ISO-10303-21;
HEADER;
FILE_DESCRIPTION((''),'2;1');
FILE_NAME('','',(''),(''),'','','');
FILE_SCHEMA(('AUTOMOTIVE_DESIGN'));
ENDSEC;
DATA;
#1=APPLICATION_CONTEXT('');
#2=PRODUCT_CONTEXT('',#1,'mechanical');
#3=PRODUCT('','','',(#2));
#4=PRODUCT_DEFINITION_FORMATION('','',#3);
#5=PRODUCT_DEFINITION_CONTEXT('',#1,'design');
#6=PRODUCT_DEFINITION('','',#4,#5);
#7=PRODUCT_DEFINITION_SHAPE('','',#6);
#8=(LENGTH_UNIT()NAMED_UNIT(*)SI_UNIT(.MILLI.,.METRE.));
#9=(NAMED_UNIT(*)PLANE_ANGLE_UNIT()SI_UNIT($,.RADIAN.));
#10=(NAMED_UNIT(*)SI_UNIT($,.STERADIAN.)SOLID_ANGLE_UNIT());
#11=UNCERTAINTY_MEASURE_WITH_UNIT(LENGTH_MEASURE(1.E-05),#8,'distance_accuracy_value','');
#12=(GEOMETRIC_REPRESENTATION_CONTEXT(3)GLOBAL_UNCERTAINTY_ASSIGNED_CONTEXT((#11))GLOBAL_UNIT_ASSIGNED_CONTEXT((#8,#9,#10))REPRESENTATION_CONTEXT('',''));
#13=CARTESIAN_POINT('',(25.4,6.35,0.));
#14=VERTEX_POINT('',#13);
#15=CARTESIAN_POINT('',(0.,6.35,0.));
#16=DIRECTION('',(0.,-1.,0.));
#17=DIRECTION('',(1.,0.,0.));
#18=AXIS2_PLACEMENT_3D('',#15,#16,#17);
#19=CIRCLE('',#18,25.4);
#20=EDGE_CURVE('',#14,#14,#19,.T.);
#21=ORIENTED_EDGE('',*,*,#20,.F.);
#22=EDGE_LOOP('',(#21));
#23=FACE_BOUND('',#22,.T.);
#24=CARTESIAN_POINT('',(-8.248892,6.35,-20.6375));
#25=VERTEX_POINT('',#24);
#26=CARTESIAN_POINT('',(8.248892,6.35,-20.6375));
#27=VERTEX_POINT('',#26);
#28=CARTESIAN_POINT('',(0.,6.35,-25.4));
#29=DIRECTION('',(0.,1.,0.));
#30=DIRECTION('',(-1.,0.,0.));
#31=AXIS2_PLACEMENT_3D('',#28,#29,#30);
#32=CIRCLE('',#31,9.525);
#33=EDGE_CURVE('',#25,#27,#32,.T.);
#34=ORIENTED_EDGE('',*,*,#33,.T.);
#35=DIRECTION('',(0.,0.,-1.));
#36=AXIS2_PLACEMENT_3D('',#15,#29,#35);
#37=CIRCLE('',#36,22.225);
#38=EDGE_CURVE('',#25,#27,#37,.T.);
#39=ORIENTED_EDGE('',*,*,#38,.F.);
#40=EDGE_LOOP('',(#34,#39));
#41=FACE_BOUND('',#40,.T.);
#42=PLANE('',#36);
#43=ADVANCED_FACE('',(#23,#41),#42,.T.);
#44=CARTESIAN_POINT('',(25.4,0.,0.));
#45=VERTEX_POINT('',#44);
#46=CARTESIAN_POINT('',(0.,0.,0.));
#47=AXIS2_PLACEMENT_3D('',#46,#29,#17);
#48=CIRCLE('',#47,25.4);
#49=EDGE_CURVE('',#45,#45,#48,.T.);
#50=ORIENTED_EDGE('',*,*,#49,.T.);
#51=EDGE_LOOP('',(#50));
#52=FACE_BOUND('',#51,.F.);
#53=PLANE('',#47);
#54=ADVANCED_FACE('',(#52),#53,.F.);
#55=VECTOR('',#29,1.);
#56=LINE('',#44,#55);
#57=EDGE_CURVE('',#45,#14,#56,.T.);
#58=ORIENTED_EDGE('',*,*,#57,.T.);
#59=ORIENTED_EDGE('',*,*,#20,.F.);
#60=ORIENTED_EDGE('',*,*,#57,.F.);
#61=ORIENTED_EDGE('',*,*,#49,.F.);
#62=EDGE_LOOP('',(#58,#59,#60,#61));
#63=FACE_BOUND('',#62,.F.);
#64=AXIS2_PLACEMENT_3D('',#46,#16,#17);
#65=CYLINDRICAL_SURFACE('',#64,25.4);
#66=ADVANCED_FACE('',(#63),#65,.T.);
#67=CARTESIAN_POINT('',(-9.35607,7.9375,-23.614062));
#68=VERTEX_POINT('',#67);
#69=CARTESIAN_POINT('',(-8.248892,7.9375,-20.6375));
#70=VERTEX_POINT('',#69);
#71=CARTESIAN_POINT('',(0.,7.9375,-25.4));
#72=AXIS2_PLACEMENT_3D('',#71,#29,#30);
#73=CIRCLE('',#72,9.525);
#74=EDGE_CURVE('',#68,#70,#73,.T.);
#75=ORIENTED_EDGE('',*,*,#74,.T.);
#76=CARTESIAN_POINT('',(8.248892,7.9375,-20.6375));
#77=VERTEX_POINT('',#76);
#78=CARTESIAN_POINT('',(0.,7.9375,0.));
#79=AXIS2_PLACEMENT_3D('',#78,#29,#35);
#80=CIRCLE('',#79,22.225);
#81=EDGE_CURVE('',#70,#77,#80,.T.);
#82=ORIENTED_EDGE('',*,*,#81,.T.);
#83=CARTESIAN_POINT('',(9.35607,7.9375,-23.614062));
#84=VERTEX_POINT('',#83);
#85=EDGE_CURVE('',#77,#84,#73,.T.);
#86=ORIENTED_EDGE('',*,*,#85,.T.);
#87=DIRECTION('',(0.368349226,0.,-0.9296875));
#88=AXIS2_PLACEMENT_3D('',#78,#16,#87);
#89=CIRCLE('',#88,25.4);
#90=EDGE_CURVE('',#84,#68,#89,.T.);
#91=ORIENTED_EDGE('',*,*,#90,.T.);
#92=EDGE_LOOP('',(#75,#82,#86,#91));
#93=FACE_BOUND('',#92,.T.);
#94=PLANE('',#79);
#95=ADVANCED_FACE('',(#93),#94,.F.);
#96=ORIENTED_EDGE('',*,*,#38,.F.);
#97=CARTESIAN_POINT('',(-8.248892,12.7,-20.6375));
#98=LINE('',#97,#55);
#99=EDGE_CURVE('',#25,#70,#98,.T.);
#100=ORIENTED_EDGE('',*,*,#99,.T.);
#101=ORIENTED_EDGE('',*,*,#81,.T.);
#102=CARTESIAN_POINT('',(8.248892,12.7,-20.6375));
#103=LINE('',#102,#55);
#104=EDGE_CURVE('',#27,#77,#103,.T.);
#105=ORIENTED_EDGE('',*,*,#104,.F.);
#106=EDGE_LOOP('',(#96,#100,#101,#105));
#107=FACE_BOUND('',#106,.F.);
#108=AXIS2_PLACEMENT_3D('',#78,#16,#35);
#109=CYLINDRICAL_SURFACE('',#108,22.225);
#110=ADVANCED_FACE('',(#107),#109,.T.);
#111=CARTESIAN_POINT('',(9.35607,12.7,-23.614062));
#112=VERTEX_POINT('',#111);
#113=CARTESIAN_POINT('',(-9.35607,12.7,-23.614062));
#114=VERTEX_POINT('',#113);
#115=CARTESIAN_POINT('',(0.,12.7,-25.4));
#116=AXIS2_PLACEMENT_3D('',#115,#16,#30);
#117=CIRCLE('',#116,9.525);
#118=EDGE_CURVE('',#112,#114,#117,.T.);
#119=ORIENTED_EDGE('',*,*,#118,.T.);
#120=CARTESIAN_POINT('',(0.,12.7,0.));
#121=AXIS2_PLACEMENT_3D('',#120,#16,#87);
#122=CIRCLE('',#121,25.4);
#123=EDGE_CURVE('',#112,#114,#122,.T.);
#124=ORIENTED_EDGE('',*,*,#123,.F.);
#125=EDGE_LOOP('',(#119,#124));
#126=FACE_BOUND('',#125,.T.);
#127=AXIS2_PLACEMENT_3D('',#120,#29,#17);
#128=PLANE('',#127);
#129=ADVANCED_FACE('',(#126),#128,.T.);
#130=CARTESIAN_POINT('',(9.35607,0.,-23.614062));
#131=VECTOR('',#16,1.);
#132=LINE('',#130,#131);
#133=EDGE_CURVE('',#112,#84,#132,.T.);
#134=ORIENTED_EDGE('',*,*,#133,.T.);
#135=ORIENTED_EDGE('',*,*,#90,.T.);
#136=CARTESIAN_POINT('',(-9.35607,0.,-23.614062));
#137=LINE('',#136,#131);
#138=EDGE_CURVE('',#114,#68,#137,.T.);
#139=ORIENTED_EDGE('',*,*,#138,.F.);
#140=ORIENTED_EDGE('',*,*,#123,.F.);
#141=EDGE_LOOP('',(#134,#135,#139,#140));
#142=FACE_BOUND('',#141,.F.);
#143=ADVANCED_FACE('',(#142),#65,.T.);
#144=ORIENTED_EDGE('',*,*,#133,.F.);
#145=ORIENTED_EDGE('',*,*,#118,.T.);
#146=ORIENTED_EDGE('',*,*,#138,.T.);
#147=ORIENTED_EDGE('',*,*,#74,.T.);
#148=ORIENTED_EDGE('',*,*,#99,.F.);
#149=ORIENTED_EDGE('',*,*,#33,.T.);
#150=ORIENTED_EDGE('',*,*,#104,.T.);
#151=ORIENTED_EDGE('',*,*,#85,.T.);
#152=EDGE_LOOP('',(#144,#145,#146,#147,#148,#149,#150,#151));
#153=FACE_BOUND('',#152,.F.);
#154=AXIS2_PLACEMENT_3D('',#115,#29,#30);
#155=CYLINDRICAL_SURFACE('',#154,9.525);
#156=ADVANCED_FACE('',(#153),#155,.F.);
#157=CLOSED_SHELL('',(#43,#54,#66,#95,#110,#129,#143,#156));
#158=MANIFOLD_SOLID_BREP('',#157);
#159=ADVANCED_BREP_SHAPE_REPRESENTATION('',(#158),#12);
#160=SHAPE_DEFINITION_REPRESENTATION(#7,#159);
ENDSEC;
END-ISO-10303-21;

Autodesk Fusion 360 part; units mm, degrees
sketch "Base" plane through (0, 0, 0) normal (0, 1, 0) x (1, 0, 0)
  circle A0 centre (0, 0) radius 25.4
  dimension "d1" = 50.8
extrude "Extrude1" add sketch "Base" along normal blind 12.7 makes body 1
sketch "Relief" plane through (0, 12.7, 0) normal (0, 1, 0) x (-1, 0, 0)
  circle A0 centre (0, 0) radius 25.4
  circle A1 centre (0, -25.4) radius 9.525
  dimension "d4" = 19.05
extrude "Extrude2" cut sketch "Relief" against normal blind 6.35 contours A0 A1 | A0 A1 picked at (1.7493, -22.2335) picked at (2.3346, -28.2419) bodies 1
sketch "Boss Ref" plane through (0, 12.7, 0) normal (0, 1, 0) x (-1, 0, 0)
  arc A0 (9.3561, -23.6141) -> (-9.3561, -23.6141) centre (0, -25.4) ccw
  arc A1 (9.3561, -23.6141) -> (-9.3561, -23.6141) centre (0, 0) ccw
  circle A2 centre (0, -10.795) radius 4.7625
  circle A3 centre (0, -10.795) radius 2.5527
  dimension "d7" = 9.525
  dimension "d8" = 10.795
  dimension "d9" = 5.1054
sketch "Revolve Cut1" plane through (0, 0, 0) normal (1, 0, 0) x (0, 0, -1)
  line L0 (25.4, 0) -> (25.4, 6.35)
  line L1 (-25.4, 12.7) -> (-25.4, 0)
  line L2 (15.875, 6.35) -> (23.6141, 6.35)
  line L3 (25.4, 6.35) -> (22.225, 6.35)
  line L4 (22.225, 7.9375) -> (25.4, 7.9375)
  line L5 (25.4, 7.9375) -> (25.4, 6.35)
  line L6 (22.225, 7.9375) -> (22.225, 6.35)
  dimension "d12" = 3.175
  dimension "d13" = 1.5875
revolve "Revolve1" cut sketch "Revolve Cut1" angle 360 about axis through (0, 1.75, 0) along (0, 1, 0) bodies 1
sketch "Sketch5" plane through (0, 12.7, 0) normal (0, 1, 0) x (-1, 0, 0)
  arc A0 (9.3561, -23.6141) -> (-9.3561, -23.6141) centre (0, -25.4) ccw
  arc A1 (9.3561, -23.6141) -> (-9.3561, -23.6141) centre (0, 0) ccw
  arc A2 (-8.2489, -20.6375) -> (-9.3561, -23.6141) centre (0, -25.4) ccw
  arc A3 (9.3561, -23.6141) -> (-9.3561, -23.6141) centre (0, 0) ccw
  arc A4 (9.3561, -23.6141) -> (8.2489, -20.6375) centre (0, -25.4) ccw
  arc A5 (8.2489, -20.6375) -> (-8.2489, -20.6375) centre (0, 0) ccw
  line L0 (0, -15.875) -> (-6.35, -9.525)
  line L1 (0, -15.875) -> (6.35, -9.525)
  line L2 (6.35, -9.525) -> (-6.35, -9.525)
  line L3 (0, -9.525) -> (0, -15.875) construction
  line L4 (6.35, -3.175) -> (-6.35, -3.175)
  line L5 (6.35, -9.525) -> (6.35, -3.175)
  line L6 (-6.35, -9.525) -> (-6.35, -3.175)
  line L7 (-6.35, -3.175) -> (-12.7, -3.175)
  line L8 (-12.7, -3.175) -> (-6.35, -9.525)
  line L9 (6.35, -9.525) -> (12.7, -3.175)
  line L10 (12.7, -3.175) -> (6.35, -3.175)
  dimension "d15" = 6.35
  dimension "d16" = 45
  dimension "d17" = 6.35
ref_plane "WorkPlane1" through (0, 0, -23.6141) normal (0, 0, 1) x (1, 0, 0)
sketch "Loft Profile 2" plane through (0, 12.7, 0) normal (0, 1, 0) x (-1, 0, 0)
  arc A0 (9.3561, -23.6141) -> (-9.3561, -23.6141) centre (0, -25.4) ccw
  arc A1 (9.3561, -23.6141) -> (-9.3561, -23.6141) centre (0, 0) ccw
  line L0 (4.7625, 8.255) -> (-4.7625, 8.255)
  arc A2 (-4.7625, 8.255) -> (-4.7625, -8.255) centre (-4.7625, 0) ccw
  line L1 (-4.7625, -8.255) -> (4.7625, -8.255)
  arc A3 (4.7625, -8.255) -> (4.7625, 8.255) centre (4.7625, 0) ccw
  line L2 (4.7625, 0) -> (-4.7625, 0) construction
  dimension "d19" = 9.525
  dimension "d20" = 8.255
sketch "Loft Profile 1" plane through (0, 0, 0) normal (0, -1, 0) x (1, 0, 0)
  circle A0 centre (0, 0) radius 25.4
  circle A1 centre (0, 0) radius 6.35
  dimension "d21" = 12.7
sketch "Sweep Profile" plane through (0, 0, 0) normal (0, -1, 0) x (1, 0, 0)
  circle A0 centre (0, 0) radius 25.4
  circle A1 centre (0, 0) radius 19.05
  dimension "d22" = 38.1
sketch "Sweep Path" plane through (0, 0, 0) normal (0, 0, 1) x (1, 0, 0)
  line L0 (0, 0) -> (0, -63.5)
  arc A0 (0, -63.5) -> (50.1381, -135.1046) centre (76.2, -63.5) ccw
  line L1 (50.1381, -135.1046) -> (169.479, -178.5411)
  dimension "d23" = 76.2
  dimension "d24" = 63.5
  dimension "d25" = 127
  dimension "d26" = 110
sketch "Hole Loc1" plane through (0, 12.7, 0) normal (0, 1, 0) x (-1, 0, 0)
  arc A0 (9.3561, -23.6141) -> (-9.3561, -23.6141) centre (0, -25.4) ccw
  arc A1 (9.3561, -23.6141) -> (-9.3561, -23.6141) centre (0, 0) ccw
  line L0 (0, 0) -> (0, -15.875) construction
  line L1 (0, 0) -> (-11.2253, -11.2253) construction
  point P0 (-11.2253, -11.2253)
  point P1 (11.2253, -11.2253)
  point P2 (11.2253, 11.2253)
  point P3 (-11.2253, 11.2253)
  dimension "d27" = 45
  dimension "d29" = 360
sketch "Extrude" plane through (0, 12.7, 0) normal (0, 1, 0) x (-1, 0, 0)
  arc A0 (9.3561, -23.6141) -> (-9.3561, -23.6141) centre (0, -25.4) ccw
  arc A1 (9.3561, -23.6141) -> (-9.3561, -23.6141) centre (0, 0) ccw
  line L0 (3.175, -16.4197) -> (-3.175, -16.4197)
  line L1 (-3.175, -16.4197) -> (-3.175, -9.525)
  line L2 (-3.175, -9.525) -> (3.175, -9.525)
  line L3 (3.175, -9.525) -> (3.175, -16.4197)
  line L4 (0, -9.525) -> (0, -15.875) construction
  dimension "d30" = 6.35
  dimension "d31" = 6.35
sketch "Revolve Cut2" plane through (0, 0, 0) normal (1, 0, 0) x (0, 0, -1)
  line L0 (25.4, 3.175) -> (22.225, 3.175)
  line L1 (22.225, 3.175) -> (22.225, 1.5875)
  line L2 (22.225, 1.5875) -> (25.4, 1.5875)
  line L3 (25.4, 1.5875) -> (25.4, 3.175)
  line L4 (25.4, 0) -> (25.4, 6.35)
  line L5 (22.225, 7.9375) -> (22.225, 6.35)
sketch "New Body" plane through (0, 12.7, 0) normal (0, 1, 0) x (-1, 0, 0)
  arc A0 (-4.7625, 8.255) -> (-4.7625, -8.255) centre (-4.7625, 0) ccw
  line L0 (-4.7625, -8.255) -> (4.7625, -8.255)
  arc A1 (4.7625, -8.255) -> (4.7625, 8.255) centre (4.7625, 0) ccw
  line L1 (4.7625, 8.255) -> (-4.7625, 8.255)
  line L2 (-4.7625, -9.525) -> (4.7625, -9.525)
  arc A2 (4.7625, -9.525) -> (4.7625, 9.525) centre (4.7625, 0) ccw
  line L3 (4.7625, 9.525) -> (-4.7625, 9.525)
  arc A3 (-4.7625, 9.525) -> (-4.7625, -9.525) centre (-4.7625, 0) ccw
  dimension "d32" = 1.27
extrude "Extrude4" add sketch "New Body" along normal blind 6.35 separate body contours A0 L0 A1 L1 | L2 A2 L3 A3 makes body 2
sketch "Sweep Guide" plane through (0, 0, 0) normal (0, 0, 1) x (1, 0, 0)
  line L0 (-25.4, 0) -> (25.4, 0)
  line L1 (25.4, 0) -> (25.4, -63.5)
  arc A0 (25.4, -63.5) -> (76.2, -114.3) centre (76.2, -63.5) ccw
  line L2 (76.2, -114.3) -> (169.479, -114.3)
  point P0 (76.2, -63.5)
  point P1 (169.479, -178.5411)
hidden bodies 2
equation "d17 = d15"
